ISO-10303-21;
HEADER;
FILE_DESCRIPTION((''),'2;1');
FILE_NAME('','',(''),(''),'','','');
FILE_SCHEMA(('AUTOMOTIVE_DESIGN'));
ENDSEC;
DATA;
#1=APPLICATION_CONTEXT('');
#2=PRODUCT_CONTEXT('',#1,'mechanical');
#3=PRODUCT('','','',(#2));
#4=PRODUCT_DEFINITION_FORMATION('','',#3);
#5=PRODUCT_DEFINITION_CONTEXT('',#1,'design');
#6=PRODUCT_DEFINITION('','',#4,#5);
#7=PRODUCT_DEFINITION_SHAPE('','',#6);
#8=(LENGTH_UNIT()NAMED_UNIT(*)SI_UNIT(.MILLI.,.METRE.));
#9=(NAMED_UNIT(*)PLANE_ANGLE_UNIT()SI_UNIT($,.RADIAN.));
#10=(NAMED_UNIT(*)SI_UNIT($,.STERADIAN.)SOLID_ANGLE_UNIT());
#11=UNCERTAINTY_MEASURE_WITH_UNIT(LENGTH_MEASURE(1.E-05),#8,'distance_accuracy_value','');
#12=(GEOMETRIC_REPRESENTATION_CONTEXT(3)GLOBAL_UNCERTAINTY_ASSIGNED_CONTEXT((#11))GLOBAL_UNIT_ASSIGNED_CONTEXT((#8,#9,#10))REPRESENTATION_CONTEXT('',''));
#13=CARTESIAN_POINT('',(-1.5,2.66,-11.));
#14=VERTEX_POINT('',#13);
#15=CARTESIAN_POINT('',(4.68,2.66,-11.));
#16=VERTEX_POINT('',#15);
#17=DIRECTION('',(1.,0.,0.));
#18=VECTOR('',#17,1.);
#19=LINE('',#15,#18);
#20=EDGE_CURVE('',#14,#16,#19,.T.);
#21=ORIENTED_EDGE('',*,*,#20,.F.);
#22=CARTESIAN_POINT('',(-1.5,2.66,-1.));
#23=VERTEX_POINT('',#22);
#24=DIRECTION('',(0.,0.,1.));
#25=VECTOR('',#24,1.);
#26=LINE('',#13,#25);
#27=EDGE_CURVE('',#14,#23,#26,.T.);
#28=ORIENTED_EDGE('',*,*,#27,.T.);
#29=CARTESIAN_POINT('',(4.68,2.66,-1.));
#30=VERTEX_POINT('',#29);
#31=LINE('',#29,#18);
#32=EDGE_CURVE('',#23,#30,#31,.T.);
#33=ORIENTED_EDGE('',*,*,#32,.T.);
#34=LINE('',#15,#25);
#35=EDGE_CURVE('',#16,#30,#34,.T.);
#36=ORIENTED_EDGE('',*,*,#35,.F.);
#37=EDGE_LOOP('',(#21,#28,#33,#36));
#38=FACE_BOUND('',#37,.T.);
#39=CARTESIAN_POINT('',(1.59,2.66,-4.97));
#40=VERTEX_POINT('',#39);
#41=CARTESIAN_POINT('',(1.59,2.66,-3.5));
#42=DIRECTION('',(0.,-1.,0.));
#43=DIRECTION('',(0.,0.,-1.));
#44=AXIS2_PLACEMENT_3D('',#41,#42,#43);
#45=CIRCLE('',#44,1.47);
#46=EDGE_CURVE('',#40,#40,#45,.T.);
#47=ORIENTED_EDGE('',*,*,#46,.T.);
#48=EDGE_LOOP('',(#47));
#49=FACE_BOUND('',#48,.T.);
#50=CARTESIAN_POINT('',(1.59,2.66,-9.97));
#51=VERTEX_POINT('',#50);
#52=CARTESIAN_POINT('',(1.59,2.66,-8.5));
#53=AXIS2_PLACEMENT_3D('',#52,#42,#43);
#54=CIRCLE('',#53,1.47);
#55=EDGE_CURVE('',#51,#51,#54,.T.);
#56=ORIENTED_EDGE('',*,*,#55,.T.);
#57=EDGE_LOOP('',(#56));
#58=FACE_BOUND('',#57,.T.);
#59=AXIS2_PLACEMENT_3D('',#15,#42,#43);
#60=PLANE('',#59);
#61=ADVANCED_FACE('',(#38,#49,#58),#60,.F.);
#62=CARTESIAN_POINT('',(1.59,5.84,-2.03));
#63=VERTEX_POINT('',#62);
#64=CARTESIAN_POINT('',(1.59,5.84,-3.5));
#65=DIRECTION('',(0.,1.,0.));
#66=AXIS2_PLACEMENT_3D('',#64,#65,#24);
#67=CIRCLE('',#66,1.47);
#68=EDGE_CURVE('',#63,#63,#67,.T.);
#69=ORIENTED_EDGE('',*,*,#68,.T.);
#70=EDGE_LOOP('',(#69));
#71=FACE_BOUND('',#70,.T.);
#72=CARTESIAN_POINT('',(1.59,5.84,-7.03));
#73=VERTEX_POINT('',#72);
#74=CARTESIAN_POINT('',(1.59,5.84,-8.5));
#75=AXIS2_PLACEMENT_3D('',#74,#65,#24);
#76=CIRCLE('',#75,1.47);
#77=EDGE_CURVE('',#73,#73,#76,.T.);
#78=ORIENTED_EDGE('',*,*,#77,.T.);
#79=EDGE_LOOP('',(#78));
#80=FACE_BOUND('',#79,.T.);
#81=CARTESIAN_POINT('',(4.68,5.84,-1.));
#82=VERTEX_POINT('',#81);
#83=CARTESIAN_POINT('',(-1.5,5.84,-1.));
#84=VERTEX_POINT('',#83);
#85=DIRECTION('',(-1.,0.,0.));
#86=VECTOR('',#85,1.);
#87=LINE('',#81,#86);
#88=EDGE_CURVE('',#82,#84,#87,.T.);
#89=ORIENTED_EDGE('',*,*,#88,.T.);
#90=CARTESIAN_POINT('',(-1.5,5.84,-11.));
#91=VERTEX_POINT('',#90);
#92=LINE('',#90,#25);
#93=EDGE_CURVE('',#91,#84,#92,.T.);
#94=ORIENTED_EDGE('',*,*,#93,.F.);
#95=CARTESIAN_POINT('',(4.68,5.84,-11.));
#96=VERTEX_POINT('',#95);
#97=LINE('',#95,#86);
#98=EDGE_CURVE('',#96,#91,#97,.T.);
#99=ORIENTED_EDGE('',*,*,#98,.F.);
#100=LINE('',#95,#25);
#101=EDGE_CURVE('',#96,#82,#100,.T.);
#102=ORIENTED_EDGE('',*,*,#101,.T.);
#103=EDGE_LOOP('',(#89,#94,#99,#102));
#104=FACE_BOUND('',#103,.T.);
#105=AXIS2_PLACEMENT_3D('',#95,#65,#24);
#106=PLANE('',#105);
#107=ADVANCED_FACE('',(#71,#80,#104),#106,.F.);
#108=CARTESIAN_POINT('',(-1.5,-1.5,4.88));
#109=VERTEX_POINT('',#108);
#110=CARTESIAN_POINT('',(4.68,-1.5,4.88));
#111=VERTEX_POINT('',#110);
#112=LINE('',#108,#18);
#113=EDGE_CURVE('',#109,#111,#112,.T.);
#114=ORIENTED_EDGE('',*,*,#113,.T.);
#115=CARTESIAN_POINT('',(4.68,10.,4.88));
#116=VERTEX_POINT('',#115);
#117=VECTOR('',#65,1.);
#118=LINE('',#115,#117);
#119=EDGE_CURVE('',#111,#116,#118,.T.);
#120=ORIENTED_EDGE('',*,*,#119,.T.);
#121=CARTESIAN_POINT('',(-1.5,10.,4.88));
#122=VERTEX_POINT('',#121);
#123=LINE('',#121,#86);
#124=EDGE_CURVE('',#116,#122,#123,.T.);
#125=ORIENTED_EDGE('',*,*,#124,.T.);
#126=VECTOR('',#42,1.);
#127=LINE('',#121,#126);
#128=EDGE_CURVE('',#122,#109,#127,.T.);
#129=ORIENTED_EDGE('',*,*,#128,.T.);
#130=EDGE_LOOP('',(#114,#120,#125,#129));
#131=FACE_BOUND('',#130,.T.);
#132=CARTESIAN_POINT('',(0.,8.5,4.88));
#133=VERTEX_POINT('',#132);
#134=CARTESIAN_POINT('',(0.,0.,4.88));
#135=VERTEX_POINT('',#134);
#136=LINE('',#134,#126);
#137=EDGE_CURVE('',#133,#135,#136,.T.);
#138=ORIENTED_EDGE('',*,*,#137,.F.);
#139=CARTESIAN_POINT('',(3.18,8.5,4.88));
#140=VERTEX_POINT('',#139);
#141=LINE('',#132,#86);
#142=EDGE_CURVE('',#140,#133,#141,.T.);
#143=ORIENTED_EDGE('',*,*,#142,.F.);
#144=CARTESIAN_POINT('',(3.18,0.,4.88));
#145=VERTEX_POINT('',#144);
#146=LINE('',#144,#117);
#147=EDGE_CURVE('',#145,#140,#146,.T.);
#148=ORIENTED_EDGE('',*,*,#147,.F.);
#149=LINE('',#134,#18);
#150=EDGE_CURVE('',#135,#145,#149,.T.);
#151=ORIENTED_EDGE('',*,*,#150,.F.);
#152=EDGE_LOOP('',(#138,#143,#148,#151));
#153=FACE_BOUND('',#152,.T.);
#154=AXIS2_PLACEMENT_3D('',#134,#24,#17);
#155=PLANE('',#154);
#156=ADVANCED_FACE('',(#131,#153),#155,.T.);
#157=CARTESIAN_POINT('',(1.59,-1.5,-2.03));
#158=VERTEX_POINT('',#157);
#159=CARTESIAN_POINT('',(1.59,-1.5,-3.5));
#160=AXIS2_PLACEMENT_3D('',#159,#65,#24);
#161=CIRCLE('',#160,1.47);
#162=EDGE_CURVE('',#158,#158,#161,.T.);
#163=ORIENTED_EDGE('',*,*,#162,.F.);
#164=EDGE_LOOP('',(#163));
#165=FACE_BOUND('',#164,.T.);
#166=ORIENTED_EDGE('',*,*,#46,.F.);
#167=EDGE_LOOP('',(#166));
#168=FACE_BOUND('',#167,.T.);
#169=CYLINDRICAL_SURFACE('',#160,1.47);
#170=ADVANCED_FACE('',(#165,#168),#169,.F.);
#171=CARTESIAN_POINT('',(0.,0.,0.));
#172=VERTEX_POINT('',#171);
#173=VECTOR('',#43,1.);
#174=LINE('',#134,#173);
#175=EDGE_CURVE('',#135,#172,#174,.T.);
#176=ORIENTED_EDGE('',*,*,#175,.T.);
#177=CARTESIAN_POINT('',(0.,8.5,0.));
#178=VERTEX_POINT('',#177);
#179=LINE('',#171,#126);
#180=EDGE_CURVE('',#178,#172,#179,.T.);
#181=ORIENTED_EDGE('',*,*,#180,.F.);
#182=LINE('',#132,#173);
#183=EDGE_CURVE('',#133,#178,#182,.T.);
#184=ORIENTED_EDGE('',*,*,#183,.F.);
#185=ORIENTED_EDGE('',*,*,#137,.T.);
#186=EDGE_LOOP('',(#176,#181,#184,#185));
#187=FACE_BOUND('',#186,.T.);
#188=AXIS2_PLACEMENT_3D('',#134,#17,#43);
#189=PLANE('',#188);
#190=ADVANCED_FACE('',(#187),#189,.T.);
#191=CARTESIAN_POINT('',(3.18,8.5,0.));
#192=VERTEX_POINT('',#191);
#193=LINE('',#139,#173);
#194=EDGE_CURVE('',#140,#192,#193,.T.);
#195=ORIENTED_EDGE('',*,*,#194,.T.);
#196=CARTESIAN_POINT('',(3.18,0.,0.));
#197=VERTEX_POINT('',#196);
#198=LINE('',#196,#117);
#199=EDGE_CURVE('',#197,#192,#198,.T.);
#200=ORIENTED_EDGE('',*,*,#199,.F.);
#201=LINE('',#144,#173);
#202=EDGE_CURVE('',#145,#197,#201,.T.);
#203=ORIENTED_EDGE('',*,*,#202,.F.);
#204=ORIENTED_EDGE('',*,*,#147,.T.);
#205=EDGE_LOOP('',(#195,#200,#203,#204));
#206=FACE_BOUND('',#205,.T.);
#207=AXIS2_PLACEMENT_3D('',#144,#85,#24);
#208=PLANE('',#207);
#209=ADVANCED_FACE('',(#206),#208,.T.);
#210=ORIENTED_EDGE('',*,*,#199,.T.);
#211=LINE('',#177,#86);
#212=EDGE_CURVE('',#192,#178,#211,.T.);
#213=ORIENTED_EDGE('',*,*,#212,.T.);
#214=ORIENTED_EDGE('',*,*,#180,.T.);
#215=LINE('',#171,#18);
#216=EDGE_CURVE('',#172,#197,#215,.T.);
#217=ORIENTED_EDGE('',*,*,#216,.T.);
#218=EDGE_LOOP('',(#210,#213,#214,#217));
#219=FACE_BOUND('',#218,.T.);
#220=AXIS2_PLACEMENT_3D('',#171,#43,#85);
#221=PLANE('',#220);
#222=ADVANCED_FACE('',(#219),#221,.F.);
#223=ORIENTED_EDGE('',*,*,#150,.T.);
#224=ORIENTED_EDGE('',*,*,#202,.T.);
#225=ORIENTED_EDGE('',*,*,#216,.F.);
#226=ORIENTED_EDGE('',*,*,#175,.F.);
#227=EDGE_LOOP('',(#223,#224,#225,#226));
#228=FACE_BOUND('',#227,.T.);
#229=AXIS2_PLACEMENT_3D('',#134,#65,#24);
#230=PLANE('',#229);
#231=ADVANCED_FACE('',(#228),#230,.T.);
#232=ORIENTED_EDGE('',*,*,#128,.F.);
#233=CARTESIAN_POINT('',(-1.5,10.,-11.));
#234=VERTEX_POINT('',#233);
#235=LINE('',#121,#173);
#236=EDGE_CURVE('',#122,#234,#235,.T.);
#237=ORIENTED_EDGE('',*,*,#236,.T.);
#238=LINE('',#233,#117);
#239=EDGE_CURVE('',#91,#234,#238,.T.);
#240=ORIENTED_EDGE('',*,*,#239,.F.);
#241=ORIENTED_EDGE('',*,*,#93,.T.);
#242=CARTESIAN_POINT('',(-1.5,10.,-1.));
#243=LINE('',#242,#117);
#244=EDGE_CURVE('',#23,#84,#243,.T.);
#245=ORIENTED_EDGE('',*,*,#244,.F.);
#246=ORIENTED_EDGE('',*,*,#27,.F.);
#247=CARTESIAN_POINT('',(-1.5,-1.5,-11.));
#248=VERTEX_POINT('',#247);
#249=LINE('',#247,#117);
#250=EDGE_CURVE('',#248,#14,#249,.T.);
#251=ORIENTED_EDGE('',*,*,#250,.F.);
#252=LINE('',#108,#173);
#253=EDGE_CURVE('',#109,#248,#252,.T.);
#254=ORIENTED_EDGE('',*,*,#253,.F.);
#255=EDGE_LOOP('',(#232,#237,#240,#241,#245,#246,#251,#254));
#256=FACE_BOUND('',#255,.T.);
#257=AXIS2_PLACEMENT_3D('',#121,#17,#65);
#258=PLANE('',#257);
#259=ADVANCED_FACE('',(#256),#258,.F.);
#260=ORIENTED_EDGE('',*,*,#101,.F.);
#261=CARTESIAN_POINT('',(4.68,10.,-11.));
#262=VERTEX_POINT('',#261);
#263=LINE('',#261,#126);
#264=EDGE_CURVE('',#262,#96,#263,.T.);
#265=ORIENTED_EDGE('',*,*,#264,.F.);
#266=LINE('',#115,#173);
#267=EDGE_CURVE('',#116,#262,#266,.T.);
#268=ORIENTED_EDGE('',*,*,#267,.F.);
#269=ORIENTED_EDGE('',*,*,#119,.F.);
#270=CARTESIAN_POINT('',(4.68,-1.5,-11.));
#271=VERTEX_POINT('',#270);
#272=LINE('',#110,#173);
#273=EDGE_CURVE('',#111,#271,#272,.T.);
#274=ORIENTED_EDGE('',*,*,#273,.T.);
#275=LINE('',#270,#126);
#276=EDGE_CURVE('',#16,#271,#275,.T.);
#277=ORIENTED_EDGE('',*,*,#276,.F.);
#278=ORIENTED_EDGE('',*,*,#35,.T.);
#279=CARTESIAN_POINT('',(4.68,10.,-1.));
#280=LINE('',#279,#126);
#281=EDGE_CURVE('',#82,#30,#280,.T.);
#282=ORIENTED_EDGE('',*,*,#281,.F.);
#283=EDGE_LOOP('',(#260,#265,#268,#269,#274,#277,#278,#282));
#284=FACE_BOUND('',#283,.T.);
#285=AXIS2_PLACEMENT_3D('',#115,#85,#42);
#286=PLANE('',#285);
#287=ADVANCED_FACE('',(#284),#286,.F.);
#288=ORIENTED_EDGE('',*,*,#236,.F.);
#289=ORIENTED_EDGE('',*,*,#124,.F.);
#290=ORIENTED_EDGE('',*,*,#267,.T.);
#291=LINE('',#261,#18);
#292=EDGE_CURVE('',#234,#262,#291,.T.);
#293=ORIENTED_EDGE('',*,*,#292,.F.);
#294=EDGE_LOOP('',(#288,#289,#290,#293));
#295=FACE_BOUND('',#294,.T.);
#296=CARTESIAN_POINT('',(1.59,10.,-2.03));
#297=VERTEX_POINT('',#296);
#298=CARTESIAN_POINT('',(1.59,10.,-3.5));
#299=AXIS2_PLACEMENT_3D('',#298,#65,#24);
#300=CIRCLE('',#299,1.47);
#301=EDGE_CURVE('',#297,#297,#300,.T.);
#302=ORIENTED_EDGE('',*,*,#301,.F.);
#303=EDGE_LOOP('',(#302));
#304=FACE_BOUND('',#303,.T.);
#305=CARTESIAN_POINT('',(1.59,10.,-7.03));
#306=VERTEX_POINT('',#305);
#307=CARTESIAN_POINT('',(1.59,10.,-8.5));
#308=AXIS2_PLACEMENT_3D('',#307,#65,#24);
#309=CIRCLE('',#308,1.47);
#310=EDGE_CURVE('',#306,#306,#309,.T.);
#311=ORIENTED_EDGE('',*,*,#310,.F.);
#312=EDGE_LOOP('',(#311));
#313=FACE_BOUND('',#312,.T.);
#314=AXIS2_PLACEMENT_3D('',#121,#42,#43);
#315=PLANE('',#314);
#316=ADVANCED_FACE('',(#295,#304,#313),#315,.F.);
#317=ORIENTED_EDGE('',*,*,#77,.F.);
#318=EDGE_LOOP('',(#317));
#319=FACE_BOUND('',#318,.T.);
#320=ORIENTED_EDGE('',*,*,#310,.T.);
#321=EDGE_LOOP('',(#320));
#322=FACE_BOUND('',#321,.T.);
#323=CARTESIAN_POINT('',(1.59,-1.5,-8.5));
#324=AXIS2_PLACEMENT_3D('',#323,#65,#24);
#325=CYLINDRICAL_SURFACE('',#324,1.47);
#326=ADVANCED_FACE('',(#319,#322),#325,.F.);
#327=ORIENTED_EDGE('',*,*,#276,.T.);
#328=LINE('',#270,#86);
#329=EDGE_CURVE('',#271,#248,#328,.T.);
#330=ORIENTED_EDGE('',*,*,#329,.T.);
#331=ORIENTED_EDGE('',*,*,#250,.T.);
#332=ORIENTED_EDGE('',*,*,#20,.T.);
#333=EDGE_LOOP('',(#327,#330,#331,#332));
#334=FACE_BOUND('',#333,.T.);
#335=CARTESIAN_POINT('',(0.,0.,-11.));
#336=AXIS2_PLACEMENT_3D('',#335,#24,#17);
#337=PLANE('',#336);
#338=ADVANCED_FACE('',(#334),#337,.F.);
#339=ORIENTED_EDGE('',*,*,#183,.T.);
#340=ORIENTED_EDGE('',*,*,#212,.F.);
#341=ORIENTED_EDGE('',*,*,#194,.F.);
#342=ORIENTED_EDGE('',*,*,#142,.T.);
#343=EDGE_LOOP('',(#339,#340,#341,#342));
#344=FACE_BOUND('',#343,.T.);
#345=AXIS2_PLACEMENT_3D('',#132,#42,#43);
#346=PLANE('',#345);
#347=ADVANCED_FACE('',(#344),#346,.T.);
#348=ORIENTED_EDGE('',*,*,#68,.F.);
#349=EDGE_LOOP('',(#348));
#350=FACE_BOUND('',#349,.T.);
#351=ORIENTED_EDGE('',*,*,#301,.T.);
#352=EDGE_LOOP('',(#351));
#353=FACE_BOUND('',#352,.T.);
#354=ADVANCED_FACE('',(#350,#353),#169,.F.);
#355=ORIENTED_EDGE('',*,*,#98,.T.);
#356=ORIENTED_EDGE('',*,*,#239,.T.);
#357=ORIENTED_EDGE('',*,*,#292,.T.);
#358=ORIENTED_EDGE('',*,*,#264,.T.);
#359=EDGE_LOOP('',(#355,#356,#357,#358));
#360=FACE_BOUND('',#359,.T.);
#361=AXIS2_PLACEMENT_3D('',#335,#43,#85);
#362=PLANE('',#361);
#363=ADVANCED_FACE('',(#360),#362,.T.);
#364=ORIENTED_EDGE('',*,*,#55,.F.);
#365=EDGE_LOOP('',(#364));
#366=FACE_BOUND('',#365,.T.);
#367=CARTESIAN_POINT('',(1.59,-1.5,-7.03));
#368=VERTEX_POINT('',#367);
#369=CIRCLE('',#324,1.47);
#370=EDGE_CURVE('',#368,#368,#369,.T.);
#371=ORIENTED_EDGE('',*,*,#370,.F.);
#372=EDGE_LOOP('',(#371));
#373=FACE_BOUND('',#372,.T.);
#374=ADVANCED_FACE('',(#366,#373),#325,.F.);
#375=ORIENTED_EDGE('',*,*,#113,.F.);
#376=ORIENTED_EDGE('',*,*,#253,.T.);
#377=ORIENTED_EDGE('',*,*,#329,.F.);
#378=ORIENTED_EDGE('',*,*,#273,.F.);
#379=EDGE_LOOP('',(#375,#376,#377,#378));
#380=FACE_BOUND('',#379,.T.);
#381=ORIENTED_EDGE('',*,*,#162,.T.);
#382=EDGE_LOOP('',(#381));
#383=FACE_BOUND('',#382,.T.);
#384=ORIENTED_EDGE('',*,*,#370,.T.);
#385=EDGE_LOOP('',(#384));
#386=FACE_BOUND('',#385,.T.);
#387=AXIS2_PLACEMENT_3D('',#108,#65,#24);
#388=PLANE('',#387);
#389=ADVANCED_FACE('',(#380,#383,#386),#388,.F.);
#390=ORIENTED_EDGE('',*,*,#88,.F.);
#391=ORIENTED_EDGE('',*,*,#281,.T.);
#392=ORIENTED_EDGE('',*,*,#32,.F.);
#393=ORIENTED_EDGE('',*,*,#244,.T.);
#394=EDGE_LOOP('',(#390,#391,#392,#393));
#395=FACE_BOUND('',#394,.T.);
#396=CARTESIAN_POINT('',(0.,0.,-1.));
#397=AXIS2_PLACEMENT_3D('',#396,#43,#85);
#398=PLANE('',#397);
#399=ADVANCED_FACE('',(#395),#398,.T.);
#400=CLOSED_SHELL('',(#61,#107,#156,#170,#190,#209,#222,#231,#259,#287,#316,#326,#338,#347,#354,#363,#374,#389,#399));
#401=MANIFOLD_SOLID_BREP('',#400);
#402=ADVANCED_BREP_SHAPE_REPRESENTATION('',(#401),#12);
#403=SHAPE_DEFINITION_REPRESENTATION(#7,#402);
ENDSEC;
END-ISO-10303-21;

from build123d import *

# Parameters (mm, degrees)
SKETCH1_W           = 6.18
SKETCH1_H           = 11.5
SKETCH1_W_2         = 3.18
SKETCH1_H_2         = 8.5
BOSS_EXTRUDE1_DEPTH = 4.88
SKETCH2_W           = 6.18
SKETCH2_H           = 11.5
BOSS_EXTRUDE2_DEPTH = 1
SKETCH3_W           = 6.18
SKETCH3_H           = 4.16
BOSS_EXTRUDE3_DEPTH = 10
SKETCH4_R           = 1.47
CUT_EXTRUDE1_DEPTH  = 17.587718348


with BuildPart() as part:
    # Sketch1 → Boss-Extrude1 (new body)
    with BuildSketch(Plane.XY):
        with Locations((1.59, 4.25)):
            Rectangle(SKETCH1_W, SKETCH1_H)
        with Locations((1.59, 4.25)):
            Rectangle(SKETCH1_W_2, SKETCH1_H_2, mode=Mode.SUBTRACT)
    extrude(amount=BOSS_EXTRUDE1_DEPTH)

    # Sketch2 → Boss-Extrude2 (add)
    with BuildSketch(Plane(origin=(0, 0, 0), x_dir=(-1, 0, 0), z_dir=(0, 0, -1))):
        with Locations((-1.59, 4.25)):
            Rectangle(SKETCH2_W, SKETCH2_H)
    extrude(amount=BOSS_EXTRUDE2_DEPTH)

    # Sketch3 → Boss-Extrude3 (add)
    with BuildSketch(Plane(origin=(0, 0, -1), x_dir=(-1, 0, 0), z_dir=(0, 0, -1))):
        with Locations((-1.59, 7.92)):
            Rectangle(SKETCH3_W, SKETCH3_H)
        with Locations((-1.59, 0.58)):
            Rectangle(SKETCH3_W, SKETCH3_H)
    extrude(amount=BOSS_EXTRUDE3_DEPTH)

    # Sketch4 → Cut-Extrude1 (cut, through all)
    with BuildSketch(Plane(origin=(0, 10, 0), x_dir=(1, 0, 0), z_dir=(0, 1, 0))):
        with Locations(Location((1.59, 3.5, 0), (0, 0, 270))):
            Circle(SKETCH4_R)
        with Locations(Location((1.59, 8.5, 0), (0, 0, 270))):
            Circle(SKETCH4_R)
    extrude(amount=-CUT_EXTRUDE1_DEPTH, mode=Mode.SUBTRACT)


solid = part.part
